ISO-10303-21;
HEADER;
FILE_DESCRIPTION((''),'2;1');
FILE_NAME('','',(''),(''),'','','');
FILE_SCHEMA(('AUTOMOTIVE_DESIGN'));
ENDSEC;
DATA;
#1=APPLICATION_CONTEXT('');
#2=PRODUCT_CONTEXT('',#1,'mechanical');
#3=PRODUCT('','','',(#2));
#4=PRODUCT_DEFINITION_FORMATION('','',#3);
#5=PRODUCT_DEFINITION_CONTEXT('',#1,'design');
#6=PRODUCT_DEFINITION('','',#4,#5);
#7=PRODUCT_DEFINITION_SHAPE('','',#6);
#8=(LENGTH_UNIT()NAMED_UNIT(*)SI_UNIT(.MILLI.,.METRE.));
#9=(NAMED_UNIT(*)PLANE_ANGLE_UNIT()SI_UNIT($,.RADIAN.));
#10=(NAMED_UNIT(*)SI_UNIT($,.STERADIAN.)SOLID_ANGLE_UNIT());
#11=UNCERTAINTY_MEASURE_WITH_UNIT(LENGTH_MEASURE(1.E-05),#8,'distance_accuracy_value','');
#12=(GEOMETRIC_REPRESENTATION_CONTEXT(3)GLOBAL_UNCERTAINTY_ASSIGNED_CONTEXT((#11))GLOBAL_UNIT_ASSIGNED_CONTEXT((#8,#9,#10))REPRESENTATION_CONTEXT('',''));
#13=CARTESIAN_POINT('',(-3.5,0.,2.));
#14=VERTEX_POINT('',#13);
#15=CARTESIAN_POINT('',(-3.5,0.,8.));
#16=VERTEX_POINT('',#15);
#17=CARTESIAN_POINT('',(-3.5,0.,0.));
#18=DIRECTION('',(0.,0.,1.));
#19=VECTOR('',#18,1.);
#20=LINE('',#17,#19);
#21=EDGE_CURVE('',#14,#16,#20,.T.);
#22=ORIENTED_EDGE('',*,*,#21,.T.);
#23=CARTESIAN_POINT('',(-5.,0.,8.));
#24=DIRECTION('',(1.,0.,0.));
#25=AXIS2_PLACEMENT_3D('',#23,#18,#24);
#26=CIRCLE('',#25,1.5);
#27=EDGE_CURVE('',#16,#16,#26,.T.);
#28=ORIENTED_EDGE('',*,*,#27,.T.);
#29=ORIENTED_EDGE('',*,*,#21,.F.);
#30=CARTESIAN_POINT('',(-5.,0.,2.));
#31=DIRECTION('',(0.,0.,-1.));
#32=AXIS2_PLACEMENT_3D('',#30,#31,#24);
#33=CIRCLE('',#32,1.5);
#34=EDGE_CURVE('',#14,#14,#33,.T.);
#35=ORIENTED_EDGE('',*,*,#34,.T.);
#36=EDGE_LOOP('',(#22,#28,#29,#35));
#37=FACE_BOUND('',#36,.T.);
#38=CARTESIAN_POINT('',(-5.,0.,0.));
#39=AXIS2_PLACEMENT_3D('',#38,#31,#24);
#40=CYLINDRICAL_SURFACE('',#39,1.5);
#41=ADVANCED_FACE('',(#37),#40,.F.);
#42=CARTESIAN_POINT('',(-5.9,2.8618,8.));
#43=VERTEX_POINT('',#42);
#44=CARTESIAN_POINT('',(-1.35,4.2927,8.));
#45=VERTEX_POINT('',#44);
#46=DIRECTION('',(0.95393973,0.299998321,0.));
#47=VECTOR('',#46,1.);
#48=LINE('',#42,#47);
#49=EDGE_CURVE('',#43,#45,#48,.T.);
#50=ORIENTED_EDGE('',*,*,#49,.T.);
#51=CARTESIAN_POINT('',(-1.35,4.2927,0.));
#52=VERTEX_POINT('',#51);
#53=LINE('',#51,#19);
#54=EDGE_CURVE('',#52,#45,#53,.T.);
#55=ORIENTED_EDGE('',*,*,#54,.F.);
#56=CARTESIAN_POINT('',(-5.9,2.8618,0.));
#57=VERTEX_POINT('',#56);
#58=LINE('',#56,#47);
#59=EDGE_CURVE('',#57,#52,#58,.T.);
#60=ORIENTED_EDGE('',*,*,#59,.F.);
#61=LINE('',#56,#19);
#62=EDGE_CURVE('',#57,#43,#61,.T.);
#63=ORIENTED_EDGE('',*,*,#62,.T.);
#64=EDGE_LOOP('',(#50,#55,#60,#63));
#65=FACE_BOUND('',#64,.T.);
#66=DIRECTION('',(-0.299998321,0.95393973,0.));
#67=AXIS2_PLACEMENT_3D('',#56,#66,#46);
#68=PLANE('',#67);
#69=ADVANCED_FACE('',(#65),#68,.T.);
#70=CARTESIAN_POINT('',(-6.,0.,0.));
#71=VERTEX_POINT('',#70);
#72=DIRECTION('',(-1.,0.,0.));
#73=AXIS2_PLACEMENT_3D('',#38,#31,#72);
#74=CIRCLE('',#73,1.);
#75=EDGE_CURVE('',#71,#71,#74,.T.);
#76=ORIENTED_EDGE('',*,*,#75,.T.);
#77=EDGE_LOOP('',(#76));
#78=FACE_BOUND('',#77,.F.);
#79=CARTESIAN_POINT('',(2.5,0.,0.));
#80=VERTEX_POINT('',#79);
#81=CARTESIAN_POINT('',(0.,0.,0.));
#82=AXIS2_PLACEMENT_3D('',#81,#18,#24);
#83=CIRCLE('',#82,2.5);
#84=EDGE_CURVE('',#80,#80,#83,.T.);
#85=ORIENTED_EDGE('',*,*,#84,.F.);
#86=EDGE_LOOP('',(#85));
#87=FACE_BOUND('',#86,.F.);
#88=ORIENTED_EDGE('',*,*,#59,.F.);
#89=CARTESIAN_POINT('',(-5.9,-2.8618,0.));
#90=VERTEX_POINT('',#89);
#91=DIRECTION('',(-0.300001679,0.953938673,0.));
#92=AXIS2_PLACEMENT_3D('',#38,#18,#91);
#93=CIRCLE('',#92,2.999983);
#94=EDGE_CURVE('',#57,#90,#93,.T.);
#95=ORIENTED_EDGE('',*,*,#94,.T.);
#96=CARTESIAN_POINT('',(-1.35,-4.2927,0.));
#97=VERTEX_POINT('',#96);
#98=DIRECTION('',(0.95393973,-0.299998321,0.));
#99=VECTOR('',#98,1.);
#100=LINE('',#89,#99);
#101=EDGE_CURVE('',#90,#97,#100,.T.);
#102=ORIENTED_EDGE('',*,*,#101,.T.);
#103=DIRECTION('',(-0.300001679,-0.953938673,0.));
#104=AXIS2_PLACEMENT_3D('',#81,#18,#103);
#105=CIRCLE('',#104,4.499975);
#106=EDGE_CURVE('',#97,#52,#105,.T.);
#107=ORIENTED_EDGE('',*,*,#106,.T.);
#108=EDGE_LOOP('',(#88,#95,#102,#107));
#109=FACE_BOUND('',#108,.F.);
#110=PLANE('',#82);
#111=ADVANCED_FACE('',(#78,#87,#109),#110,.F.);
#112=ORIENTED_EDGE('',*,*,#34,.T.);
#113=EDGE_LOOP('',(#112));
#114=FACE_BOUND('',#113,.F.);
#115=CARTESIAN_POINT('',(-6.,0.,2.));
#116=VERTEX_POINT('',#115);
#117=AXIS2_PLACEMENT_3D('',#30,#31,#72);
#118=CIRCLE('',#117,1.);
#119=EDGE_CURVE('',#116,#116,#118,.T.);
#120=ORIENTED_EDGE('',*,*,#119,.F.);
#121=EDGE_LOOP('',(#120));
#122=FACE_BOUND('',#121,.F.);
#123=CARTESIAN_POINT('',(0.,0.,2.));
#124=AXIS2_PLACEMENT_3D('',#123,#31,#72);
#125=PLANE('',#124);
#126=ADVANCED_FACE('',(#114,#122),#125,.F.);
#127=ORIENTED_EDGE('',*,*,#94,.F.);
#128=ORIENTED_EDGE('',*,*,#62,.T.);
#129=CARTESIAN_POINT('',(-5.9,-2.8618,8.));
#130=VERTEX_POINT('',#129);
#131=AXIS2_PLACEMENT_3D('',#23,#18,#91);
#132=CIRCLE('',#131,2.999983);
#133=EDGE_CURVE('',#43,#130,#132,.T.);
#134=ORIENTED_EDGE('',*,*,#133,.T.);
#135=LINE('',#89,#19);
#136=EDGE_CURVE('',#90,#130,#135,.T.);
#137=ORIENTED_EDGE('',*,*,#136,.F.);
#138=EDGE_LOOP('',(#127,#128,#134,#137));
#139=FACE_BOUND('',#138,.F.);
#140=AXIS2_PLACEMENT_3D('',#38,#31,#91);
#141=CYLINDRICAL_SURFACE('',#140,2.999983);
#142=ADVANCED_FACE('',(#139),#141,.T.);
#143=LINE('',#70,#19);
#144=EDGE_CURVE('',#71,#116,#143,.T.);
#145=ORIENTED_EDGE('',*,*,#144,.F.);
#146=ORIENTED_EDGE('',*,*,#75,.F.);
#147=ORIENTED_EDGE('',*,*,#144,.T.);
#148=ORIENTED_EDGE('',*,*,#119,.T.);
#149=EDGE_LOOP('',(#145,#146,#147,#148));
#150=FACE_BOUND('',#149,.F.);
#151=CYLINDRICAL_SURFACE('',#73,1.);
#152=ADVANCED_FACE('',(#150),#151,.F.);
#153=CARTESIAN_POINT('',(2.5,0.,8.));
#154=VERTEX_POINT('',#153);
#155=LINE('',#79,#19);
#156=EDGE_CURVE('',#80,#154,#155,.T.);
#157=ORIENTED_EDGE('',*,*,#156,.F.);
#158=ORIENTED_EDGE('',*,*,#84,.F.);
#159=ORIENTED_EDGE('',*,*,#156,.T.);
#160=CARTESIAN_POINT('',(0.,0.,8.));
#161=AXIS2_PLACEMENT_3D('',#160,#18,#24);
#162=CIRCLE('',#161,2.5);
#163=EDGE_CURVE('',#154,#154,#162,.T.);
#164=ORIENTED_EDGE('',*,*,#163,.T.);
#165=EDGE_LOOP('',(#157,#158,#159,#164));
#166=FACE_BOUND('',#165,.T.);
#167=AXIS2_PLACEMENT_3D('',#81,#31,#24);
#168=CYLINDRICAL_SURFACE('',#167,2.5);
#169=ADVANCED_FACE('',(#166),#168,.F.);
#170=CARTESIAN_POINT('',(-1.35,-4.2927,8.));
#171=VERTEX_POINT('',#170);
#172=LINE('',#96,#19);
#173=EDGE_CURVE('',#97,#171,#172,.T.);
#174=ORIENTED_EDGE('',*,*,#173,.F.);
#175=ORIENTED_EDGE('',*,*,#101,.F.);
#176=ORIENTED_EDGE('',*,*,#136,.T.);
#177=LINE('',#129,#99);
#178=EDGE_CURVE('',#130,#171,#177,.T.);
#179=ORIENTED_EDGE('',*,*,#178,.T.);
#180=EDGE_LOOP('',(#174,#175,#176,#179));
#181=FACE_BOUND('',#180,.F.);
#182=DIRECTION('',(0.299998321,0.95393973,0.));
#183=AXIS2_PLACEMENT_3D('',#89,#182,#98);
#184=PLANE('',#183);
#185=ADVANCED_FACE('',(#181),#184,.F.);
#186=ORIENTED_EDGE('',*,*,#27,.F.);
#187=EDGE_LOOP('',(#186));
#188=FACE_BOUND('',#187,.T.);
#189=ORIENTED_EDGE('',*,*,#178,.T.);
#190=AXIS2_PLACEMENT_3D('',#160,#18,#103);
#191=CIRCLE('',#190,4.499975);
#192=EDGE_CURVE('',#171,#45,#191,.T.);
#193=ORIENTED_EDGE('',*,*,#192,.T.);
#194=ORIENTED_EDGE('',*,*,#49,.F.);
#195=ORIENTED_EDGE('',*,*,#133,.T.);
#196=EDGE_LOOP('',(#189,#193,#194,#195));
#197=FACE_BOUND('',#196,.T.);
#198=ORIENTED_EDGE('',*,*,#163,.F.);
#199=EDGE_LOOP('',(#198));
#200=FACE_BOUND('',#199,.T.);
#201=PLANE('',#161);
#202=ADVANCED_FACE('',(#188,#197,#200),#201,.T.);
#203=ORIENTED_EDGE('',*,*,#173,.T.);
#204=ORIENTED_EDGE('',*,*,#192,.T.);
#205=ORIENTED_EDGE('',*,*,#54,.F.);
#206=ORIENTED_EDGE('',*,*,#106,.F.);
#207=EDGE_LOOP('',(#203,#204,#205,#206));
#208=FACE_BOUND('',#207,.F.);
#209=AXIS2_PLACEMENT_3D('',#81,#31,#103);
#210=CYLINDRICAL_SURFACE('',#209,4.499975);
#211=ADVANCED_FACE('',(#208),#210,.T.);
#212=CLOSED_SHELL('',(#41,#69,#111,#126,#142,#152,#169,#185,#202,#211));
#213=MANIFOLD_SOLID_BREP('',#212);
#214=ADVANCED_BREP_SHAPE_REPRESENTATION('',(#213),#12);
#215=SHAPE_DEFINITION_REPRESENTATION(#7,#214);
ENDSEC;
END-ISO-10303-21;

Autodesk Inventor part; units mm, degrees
ref_plane "YZ Plane" through (0, 0, 0) normal (1, 0, 0) x (0, 1, 0)
ref_plane "XZ Plane" through (0, 0, 0) normal (0, 1, 0) x (-1, 0, 0)
ref_plane "XY Plane" through (0, 0, 0) normal (0, 0, 1) x (1, 0, 0)
sketch "Sketch1" plane through (0, 0, 0) normal (0, 0, 1) x (1, 0, 0)
  circle A0 centre (0, 0) radius 2.5
  circle A1 centre (-5, 0) radius 1.5
  arc A2 (-5.9, 2.8618) -> (-5.9, -2.8618) centre (-5, 0) ccw
  arc A3 (-1.35, -4.2927) -> (-1.35, 4.2927) centre (0, 0) ccw
  line L0 (-5.9, 2.8618) -> (-1.35, 4.2927)
  line L1 (-5.9, -2.8618) -> (-1.35, -4.2927)
  dimension "d0" = 5
  dimension "d1" = 3
  dimension "d2" = 9
  dimension "d3" = 5
  dimension "d4" = 1.5
extrude "Extrusion1" add sketch "Sketch1" along normal blind 8
sketch "Sketch2" plane through (0, 0, 0) normal (0, 0, -1) x (-1, 0, 0)
  circle A0 centre (5, 0) radius 1.5 projected
  circle A1 centre (5, 0) radius 1
  point P0 (0, 0)
  dimension "d21" = 2
extrude "Extrusion2" add sketch "Sketch2" against normal blind 2
sketch "Sketch3" plane through (0, 0, 0) normal (1, 0, 0) x (0, 1, 0)
  circle A0 centre (0, 4) radius 1.5
  line L0 (2.5, 8) -> (2.5, 0) projected
  point P0 (0, 0)
  point P1 (2.5, 4)
  dimension "d13" = 3
properties part number "Anode Holding Nut" material "Stainless Steel"
